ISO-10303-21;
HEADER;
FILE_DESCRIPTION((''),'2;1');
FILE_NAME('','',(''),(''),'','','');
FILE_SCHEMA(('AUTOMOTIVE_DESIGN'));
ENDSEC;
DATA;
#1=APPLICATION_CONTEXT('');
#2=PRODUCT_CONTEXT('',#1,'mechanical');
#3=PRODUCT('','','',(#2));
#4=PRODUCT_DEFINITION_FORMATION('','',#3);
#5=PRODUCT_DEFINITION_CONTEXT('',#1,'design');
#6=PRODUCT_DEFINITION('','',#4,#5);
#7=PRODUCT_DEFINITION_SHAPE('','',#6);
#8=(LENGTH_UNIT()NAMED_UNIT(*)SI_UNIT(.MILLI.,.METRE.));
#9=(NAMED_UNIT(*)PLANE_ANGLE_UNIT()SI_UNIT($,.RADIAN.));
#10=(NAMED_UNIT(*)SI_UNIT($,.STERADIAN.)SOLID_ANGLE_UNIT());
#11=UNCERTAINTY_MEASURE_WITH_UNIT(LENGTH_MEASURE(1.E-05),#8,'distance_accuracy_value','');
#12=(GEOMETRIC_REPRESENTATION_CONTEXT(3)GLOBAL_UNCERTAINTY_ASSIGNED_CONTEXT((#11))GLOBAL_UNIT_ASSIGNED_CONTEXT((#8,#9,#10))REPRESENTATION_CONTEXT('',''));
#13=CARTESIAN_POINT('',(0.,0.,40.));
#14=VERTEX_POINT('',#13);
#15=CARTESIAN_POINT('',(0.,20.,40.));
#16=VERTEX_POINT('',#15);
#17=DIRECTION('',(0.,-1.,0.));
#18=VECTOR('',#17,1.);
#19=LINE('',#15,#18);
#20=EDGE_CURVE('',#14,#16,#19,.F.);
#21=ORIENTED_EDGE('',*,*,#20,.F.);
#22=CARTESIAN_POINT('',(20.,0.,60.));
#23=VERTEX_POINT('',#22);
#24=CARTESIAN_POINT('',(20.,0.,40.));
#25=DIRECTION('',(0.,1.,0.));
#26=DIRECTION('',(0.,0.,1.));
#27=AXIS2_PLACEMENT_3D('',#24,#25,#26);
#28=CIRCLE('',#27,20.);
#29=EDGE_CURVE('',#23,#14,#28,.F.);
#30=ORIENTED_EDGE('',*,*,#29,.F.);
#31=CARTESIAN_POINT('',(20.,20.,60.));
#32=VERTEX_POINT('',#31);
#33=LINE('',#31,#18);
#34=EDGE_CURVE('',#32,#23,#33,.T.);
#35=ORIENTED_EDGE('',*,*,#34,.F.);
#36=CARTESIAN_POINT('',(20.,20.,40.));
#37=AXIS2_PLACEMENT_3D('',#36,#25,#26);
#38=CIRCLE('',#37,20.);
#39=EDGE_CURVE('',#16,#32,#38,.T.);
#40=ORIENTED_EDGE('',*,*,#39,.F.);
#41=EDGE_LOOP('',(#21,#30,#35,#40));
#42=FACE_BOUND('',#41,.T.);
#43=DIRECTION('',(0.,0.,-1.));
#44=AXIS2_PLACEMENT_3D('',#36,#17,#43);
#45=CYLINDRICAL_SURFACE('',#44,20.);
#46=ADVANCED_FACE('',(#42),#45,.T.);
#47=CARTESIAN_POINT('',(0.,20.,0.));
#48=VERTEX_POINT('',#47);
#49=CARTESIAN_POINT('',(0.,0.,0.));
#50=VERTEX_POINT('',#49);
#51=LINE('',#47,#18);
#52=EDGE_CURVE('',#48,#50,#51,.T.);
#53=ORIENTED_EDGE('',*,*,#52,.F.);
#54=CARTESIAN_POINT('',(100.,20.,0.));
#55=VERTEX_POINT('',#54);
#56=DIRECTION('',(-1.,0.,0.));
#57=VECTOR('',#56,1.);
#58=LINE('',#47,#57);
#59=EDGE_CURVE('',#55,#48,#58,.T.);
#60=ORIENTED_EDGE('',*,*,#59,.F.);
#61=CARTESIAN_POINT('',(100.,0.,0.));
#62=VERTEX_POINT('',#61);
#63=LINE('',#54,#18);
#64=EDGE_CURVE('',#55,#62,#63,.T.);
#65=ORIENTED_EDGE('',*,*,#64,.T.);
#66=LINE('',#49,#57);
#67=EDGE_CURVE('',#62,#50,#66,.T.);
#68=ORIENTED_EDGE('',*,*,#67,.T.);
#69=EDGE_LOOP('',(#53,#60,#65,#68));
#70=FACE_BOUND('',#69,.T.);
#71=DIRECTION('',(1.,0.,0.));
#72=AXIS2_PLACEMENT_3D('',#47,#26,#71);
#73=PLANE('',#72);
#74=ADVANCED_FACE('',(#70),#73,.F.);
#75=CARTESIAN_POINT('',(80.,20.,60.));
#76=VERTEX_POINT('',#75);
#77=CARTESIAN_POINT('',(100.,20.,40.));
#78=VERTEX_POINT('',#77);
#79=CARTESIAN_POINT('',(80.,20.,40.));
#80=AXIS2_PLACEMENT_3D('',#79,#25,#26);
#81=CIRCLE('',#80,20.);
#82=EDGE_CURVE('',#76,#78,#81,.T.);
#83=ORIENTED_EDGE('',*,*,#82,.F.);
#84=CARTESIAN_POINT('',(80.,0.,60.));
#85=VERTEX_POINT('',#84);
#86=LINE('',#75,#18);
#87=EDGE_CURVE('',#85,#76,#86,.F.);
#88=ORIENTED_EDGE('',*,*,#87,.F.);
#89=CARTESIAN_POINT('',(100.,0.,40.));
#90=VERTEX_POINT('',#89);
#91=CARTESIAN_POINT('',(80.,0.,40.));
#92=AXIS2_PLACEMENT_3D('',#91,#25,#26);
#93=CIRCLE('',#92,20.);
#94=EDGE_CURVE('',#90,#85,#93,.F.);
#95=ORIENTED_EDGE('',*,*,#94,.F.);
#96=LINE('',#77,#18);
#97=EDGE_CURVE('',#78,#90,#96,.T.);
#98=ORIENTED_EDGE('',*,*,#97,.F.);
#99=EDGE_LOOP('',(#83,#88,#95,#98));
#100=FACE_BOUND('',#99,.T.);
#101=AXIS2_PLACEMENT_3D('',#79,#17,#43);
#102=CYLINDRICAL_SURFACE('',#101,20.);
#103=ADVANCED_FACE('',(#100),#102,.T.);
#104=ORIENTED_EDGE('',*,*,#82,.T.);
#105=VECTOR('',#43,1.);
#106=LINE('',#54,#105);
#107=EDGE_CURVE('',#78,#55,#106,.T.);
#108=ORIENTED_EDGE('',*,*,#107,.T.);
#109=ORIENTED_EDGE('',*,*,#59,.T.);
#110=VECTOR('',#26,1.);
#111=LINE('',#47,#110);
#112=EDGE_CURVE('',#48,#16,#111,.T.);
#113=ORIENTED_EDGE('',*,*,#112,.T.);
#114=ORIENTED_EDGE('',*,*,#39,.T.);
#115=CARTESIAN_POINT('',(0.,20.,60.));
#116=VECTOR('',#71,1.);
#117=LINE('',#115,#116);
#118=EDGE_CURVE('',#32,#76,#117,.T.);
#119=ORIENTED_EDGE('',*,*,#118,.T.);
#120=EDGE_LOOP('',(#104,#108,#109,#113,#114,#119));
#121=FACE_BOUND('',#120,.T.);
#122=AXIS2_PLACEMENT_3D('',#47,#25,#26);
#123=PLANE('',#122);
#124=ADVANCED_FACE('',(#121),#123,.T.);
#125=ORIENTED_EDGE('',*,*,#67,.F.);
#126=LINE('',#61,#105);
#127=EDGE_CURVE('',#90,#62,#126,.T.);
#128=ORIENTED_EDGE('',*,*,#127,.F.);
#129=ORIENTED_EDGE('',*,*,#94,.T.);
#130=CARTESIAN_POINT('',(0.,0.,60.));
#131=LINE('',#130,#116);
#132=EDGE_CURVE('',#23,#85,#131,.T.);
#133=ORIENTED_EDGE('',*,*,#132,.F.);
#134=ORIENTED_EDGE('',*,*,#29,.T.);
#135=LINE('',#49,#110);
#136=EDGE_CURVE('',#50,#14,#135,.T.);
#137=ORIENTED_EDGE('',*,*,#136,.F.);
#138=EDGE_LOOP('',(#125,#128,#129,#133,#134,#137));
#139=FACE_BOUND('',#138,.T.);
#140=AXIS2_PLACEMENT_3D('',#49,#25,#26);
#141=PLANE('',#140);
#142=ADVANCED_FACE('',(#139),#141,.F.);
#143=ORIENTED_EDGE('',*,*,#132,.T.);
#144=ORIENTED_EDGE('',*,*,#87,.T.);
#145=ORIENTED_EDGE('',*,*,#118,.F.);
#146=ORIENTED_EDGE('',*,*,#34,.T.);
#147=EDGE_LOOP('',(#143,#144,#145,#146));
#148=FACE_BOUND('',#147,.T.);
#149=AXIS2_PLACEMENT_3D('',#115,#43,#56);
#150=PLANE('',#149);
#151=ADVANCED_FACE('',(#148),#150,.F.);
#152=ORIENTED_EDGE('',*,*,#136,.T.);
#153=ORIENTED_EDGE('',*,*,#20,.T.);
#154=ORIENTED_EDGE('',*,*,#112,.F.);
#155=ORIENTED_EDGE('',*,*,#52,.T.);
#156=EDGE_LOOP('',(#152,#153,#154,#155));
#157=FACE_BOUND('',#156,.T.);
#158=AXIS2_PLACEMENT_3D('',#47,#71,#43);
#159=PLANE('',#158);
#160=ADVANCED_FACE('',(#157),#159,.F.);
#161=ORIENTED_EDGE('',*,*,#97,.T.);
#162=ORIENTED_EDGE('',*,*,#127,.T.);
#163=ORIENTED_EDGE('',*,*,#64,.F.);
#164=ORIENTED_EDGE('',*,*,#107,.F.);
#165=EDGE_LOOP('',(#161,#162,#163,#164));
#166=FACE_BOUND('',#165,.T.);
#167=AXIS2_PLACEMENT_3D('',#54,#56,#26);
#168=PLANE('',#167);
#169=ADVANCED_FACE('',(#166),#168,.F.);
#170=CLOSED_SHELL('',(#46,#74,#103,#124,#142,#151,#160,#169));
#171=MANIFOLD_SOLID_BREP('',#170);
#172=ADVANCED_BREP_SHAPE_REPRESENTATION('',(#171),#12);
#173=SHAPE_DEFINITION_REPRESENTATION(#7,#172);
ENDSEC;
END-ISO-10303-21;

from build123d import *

# Parameters (mm, degrees)
SKETCH1_W           = 100
SKETCH1_H           = 60
BOSS_EXTRUDE1_DEPTH = 20
FILLET1_R           = 20


with BuildPart() as part:
    # Sketch1 → Boss-Extrude1 (new body)
    with BuildSketch(Plane(origin=(0, 0, 0), x_dir=(1, 0, 0), z_dir=(0, 1, 0))):
        with Locations((50, -30)):
            Rectangle(SKETCH1_W, SKETCH1_H)
    extrude(amount=BOSS_EXTRUDE1_DEPTH)

    # Fillet1
    fillet1_edges = [part.edges().sort_by_distance(p)[0] for p in [
        (100, 10, 60),
        (0, 10, 60),
    ]]
    fillet(fillet1_edges, radius=FILLET1_R)


solid = part.part
